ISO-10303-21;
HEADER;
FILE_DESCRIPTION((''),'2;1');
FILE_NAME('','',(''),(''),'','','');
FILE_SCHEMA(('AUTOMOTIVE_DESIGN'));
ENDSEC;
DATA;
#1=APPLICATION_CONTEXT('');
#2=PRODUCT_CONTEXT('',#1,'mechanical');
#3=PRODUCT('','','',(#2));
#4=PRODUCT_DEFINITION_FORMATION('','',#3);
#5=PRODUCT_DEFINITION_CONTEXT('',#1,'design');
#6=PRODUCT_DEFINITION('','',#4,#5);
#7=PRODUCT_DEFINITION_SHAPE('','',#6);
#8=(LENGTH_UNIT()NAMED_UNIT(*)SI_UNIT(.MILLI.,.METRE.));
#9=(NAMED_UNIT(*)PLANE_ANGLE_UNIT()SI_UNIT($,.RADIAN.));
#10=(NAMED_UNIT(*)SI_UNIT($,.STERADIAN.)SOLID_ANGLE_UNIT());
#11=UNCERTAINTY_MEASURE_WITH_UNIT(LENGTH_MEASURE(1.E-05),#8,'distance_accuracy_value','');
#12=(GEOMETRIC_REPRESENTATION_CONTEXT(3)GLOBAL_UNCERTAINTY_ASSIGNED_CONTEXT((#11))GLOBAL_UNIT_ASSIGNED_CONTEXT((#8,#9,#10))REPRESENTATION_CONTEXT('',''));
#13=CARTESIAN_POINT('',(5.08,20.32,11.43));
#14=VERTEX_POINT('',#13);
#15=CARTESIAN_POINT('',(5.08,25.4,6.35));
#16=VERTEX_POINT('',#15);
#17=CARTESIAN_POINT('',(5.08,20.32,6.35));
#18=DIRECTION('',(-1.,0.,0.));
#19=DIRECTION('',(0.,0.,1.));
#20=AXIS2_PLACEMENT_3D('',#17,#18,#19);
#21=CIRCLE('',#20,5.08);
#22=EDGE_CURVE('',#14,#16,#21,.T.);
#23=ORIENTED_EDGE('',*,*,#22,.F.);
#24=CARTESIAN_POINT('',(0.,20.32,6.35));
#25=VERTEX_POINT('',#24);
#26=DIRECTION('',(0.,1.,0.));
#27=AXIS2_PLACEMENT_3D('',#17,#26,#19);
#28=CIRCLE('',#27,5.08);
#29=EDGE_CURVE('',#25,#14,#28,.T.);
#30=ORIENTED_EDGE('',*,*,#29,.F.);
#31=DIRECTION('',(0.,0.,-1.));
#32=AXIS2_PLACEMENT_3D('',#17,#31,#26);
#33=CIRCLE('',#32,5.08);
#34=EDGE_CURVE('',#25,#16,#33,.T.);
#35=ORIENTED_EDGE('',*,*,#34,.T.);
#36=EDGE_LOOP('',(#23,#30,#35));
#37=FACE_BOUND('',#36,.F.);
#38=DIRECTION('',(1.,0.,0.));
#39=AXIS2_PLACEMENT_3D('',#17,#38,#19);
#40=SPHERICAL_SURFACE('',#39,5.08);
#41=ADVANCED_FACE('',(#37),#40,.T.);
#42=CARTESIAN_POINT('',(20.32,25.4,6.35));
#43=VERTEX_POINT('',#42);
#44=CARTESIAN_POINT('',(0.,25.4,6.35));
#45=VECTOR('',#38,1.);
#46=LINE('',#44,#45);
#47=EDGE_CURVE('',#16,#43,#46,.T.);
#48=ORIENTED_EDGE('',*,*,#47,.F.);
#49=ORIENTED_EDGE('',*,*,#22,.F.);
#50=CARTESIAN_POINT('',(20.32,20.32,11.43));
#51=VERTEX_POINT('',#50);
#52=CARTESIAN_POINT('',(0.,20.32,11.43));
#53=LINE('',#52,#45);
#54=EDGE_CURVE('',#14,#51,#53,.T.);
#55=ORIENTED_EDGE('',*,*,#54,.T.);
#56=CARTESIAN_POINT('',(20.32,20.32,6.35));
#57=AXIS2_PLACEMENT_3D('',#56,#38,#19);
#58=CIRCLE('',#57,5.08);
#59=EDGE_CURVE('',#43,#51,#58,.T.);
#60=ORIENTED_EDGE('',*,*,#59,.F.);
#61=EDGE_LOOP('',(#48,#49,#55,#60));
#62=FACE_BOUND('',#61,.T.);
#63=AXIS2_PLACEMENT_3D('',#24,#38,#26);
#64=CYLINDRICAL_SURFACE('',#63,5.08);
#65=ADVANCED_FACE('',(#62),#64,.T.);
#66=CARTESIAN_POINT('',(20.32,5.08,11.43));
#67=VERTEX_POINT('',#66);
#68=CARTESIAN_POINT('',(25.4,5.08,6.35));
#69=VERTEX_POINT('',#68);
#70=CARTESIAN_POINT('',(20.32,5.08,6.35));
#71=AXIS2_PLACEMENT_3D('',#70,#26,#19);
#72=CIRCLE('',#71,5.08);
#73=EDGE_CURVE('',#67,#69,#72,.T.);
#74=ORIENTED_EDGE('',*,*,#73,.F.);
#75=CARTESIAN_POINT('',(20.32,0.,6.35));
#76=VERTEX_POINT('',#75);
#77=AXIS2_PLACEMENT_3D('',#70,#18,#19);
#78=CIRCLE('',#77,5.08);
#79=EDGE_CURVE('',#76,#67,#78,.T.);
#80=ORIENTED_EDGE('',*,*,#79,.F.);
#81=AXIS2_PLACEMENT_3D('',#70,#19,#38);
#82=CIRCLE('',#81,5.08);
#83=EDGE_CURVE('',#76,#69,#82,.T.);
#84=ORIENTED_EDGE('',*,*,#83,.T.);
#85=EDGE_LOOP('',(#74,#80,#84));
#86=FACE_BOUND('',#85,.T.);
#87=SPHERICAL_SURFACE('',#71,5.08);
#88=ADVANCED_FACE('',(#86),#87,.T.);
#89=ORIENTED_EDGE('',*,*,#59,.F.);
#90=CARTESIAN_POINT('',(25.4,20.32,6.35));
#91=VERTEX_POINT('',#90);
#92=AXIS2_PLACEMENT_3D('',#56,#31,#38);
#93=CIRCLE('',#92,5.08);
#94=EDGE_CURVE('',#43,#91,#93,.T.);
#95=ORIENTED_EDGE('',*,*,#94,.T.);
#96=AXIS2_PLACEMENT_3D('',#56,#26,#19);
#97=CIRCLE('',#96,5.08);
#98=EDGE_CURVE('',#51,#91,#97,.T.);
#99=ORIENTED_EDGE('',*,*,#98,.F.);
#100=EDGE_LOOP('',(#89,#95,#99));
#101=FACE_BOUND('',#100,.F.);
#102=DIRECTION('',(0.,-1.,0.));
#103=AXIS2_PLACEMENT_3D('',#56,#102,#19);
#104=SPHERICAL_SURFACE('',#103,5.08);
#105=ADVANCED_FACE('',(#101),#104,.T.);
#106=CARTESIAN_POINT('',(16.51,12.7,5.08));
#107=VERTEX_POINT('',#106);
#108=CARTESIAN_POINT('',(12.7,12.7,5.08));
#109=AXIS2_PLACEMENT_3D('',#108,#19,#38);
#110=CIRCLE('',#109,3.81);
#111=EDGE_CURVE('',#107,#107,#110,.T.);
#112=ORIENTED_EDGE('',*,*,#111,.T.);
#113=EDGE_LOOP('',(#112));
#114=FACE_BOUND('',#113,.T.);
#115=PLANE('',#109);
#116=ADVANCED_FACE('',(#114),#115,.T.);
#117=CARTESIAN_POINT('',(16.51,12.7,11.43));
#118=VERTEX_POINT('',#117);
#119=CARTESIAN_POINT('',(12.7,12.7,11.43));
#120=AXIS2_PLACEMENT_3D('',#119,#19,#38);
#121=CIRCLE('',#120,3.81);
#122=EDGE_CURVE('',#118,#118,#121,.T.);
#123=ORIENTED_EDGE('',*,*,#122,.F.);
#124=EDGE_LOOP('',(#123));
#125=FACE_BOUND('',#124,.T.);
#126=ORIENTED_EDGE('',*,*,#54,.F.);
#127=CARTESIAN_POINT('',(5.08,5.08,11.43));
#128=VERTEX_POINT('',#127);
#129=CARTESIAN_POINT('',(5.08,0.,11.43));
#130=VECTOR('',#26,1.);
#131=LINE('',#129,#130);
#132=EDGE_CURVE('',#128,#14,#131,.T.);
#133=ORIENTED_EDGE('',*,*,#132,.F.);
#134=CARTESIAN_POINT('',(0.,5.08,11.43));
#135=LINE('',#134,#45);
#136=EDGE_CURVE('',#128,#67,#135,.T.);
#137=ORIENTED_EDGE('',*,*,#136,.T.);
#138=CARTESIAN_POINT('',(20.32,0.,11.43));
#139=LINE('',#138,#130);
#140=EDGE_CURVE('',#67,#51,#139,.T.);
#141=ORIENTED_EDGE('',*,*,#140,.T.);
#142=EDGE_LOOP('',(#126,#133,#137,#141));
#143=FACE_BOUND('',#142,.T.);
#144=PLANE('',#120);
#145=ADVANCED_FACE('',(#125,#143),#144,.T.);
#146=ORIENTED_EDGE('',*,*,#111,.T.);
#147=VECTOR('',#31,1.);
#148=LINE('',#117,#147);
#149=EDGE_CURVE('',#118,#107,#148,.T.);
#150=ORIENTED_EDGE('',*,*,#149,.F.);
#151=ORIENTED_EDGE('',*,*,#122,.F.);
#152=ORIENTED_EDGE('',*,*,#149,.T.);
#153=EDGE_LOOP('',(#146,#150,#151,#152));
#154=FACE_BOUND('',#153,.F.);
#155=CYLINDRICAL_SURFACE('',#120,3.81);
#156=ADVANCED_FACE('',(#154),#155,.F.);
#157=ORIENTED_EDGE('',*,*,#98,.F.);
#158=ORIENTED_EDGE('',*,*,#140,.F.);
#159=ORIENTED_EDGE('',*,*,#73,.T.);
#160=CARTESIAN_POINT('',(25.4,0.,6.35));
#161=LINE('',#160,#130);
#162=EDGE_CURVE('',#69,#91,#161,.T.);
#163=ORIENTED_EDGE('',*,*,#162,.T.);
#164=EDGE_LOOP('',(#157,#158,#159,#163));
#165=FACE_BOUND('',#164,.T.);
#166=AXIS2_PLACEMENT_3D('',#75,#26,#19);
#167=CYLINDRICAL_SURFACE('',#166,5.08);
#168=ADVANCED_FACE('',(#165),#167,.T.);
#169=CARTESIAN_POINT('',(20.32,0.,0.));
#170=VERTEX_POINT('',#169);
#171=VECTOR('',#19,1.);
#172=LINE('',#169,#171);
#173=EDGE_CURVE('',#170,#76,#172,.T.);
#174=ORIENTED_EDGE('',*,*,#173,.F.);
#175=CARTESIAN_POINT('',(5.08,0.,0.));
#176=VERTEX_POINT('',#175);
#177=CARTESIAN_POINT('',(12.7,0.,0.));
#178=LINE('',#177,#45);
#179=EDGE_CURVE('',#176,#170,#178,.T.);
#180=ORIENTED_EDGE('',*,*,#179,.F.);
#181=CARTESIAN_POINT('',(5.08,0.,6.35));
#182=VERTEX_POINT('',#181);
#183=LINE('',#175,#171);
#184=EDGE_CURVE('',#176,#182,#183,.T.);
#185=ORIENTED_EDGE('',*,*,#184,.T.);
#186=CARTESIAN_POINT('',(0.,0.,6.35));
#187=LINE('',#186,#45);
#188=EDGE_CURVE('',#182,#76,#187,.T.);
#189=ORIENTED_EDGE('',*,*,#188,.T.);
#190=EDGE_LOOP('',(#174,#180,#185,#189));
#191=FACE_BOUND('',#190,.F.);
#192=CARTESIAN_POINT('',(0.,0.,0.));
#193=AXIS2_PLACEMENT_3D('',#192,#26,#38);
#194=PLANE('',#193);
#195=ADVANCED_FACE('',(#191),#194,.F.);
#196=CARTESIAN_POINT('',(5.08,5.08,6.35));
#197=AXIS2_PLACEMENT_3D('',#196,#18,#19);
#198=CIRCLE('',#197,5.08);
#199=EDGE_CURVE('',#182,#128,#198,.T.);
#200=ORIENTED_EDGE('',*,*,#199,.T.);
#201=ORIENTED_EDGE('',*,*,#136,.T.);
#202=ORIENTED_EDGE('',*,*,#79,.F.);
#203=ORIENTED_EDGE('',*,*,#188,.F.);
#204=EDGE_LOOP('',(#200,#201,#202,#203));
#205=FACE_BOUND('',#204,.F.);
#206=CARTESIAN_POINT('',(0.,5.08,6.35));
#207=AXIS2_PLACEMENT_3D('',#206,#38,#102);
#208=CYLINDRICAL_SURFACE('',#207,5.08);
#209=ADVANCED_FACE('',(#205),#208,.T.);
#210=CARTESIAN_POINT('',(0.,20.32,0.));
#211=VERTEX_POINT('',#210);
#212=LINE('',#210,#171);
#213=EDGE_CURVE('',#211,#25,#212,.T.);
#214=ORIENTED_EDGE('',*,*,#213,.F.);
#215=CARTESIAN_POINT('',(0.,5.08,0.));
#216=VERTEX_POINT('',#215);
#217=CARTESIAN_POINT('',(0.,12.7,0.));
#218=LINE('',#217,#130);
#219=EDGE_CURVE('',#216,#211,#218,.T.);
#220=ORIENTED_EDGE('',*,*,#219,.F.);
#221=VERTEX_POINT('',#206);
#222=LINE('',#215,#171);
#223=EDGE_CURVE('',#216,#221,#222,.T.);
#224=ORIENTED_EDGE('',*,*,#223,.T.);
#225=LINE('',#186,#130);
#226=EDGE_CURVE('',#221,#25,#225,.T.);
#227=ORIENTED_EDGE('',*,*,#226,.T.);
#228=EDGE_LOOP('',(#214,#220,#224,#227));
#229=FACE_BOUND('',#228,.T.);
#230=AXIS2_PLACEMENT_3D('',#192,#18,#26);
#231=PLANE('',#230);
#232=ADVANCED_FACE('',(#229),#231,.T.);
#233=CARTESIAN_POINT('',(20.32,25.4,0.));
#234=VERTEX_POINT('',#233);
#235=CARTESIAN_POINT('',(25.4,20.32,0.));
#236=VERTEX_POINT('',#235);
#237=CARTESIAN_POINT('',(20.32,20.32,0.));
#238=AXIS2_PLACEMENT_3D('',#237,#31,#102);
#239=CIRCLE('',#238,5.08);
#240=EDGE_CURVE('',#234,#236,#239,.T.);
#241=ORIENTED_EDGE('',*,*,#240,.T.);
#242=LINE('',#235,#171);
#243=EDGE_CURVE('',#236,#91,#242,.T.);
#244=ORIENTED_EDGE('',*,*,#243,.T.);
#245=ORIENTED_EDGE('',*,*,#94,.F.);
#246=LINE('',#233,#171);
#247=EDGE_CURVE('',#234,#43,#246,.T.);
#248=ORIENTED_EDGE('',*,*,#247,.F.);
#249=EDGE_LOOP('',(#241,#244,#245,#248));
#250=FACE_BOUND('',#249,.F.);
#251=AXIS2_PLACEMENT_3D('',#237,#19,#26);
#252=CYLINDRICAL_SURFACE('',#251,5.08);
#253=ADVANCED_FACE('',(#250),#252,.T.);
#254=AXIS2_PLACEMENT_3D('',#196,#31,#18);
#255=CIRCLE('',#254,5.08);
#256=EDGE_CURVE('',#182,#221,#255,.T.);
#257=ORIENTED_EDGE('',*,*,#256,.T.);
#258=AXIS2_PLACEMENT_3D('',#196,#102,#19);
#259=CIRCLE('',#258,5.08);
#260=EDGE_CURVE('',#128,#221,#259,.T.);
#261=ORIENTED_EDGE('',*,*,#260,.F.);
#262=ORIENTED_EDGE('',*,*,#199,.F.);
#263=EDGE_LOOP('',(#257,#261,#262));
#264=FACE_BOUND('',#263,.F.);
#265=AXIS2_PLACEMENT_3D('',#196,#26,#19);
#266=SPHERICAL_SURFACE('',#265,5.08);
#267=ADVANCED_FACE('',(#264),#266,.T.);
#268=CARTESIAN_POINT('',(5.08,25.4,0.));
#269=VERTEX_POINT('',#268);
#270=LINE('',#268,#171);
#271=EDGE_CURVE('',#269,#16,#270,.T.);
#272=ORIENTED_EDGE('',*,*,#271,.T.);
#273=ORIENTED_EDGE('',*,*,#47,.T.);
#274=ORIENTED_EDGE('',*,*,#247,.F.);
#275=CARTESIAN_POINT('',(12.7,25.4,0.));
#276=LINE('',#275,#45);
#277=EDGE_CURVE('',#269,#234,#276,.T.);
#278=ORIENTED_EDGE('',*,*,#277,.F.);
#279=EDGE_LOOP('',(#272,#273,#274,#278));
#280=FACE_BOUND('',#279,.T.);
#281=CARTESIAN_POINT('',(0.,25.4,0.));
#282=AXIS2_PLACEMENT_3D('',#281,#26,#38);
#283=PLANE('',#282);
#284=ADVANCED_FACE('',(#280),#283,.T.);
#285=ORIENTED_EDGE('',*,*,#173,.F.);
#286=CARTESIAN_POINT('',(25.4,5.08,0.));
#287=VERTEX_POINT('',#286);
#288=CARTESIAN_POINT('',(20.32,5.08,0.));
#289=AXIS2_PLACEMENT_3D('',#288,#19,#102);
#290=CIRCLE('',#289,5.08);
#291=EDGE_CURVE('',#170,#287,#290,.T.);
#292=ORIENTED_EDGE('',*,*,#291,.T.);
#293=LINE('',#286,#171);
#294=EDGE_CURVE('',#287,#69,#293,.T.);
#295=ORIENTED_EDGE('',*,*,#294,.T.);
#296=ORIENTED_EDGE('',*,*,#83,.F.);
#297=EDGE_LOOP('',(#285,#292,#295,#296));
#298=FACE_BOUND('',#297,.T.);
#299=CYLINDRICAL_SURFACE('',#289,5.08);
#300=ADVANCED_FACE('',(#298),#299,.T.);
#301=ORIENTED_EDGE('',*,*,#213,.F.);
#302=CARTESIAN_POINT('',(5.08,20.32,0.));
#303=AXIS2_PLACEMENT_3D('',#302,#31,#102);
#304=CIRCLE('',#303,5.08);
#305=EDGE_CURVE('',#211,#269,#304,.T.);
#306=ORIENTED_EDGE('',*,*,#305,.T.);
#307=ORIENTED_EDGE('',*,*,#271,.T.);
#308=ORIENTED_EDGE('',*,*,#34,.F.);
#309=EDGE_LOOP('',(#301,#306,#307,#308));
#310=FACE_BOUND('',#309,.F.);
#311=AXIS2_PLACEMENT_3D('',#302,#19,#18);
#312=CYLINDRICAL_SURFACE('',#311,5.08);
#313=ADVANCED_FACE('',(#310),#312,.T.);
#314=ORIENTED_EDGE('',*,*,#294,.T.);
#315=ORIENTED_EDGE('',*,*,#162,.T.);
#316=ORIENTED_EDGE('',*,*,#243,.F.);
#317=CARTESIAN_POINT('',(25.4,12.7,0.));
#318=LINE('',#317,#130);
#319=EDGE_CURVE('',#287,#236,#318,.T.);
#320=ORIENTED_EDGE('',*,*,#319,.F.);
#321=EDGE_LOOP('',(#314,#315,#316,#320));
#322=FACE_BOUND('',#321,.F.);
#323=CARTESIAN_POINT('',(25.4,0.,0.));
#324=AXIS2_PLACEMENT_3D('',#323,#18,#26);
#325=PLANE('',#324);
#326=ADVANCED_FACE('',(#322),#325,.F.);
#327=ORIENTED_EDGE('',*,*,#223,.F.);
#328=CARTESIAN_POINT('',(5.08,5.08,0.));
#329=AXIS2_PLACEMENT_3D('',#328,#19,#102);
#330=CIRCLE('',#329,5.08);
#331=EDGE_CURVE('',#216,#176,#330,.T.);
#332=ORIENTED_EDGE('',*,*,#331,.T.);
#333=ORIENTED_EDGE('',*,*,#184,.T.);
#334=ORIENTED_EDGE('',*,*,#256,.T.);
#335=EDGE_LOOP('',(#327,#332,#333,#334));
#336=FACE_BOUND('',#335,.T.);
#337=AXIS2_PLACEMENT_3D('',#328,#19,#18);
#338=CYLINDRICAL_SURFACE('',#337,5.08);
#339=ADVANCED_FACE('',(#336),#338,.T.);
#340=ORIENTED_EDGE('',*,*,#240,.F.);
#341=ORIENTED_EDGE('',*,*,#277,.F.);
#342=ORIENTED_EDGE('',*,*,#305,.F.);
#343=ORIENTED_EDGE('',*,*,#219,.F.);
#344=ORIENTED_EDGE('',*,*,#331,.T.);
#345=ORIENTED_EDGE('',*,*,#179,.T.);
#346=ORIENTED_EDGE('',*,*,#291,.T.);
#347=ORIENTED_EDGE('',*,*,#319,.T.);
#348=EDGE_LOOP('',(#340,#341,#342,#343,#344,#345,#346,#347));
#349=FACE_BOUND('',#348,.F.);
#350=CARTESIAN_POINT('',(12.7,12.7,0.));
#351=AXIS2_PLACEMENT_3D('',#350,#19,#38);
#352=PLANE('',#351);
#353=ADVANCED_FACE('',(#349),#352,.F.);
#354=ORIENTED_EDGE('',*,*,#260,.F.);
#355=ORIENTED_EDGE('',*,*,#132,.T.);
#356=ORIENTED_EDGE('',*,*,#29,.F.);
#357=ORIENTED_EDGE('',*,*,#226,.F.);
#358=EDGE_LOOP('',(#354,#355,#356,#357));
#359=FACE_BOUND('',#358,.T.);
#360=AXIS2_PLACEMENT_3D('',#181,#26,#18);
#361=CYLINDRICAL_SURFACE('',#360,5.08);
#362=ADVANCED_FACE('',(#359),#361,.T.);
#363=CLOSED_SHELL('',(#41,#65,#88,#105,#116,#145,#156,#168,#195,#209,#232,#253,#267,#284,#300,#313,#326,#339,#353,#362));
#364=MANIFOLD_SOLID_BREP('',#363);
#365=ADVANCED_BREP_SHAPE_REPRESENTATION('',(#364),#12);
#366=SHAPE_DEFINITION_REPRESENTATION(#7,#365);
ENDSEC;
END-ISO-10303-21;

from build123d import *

# Parameters (mm, degrees)
F0_W     = 25.4
F0_H     = 25.4
F1_DEPTH = 11.43
F2_R     = 3.81
F3_DEPTH = 6.35
F4_R     = 5.08


with BuildPart() as f1:
    # F0 (on Top) → F1 (new body)
    with BuildSketch(Plane.XY):
        with Locations((12.7, 12.7)):
            Rectangle(F0_W, F0_H)
    extrude(amount=F1_DEPTH)

    # F2 (on face) → F3 (cut)
    with BuildSketch(Plane.XY.offset(11.43)):
        with Locations((12.7, 12.7)):
            Circle(F2_R)
    extrude(amount=-F3_DEPTH, mode=Mode.SUBTRACT)

    # F4
    f4_edges = [f1.edges().sort_by_distance(p)[0] for p in [
        (25.4, 12.7, 11.43),
        (12.7, 25.4, 11.43),
        (0, 12.7, 11.43),
        (12.7, 0, 11.43),
        (25.4, 25.4, 5.715),
        (25.4, 0, 5.715),
        (0, 25.4, 5.715),
        (0, 0, 5.715),
    ]]
    fillet(f4_edges, radius=F4_R)


solid = f1.part
